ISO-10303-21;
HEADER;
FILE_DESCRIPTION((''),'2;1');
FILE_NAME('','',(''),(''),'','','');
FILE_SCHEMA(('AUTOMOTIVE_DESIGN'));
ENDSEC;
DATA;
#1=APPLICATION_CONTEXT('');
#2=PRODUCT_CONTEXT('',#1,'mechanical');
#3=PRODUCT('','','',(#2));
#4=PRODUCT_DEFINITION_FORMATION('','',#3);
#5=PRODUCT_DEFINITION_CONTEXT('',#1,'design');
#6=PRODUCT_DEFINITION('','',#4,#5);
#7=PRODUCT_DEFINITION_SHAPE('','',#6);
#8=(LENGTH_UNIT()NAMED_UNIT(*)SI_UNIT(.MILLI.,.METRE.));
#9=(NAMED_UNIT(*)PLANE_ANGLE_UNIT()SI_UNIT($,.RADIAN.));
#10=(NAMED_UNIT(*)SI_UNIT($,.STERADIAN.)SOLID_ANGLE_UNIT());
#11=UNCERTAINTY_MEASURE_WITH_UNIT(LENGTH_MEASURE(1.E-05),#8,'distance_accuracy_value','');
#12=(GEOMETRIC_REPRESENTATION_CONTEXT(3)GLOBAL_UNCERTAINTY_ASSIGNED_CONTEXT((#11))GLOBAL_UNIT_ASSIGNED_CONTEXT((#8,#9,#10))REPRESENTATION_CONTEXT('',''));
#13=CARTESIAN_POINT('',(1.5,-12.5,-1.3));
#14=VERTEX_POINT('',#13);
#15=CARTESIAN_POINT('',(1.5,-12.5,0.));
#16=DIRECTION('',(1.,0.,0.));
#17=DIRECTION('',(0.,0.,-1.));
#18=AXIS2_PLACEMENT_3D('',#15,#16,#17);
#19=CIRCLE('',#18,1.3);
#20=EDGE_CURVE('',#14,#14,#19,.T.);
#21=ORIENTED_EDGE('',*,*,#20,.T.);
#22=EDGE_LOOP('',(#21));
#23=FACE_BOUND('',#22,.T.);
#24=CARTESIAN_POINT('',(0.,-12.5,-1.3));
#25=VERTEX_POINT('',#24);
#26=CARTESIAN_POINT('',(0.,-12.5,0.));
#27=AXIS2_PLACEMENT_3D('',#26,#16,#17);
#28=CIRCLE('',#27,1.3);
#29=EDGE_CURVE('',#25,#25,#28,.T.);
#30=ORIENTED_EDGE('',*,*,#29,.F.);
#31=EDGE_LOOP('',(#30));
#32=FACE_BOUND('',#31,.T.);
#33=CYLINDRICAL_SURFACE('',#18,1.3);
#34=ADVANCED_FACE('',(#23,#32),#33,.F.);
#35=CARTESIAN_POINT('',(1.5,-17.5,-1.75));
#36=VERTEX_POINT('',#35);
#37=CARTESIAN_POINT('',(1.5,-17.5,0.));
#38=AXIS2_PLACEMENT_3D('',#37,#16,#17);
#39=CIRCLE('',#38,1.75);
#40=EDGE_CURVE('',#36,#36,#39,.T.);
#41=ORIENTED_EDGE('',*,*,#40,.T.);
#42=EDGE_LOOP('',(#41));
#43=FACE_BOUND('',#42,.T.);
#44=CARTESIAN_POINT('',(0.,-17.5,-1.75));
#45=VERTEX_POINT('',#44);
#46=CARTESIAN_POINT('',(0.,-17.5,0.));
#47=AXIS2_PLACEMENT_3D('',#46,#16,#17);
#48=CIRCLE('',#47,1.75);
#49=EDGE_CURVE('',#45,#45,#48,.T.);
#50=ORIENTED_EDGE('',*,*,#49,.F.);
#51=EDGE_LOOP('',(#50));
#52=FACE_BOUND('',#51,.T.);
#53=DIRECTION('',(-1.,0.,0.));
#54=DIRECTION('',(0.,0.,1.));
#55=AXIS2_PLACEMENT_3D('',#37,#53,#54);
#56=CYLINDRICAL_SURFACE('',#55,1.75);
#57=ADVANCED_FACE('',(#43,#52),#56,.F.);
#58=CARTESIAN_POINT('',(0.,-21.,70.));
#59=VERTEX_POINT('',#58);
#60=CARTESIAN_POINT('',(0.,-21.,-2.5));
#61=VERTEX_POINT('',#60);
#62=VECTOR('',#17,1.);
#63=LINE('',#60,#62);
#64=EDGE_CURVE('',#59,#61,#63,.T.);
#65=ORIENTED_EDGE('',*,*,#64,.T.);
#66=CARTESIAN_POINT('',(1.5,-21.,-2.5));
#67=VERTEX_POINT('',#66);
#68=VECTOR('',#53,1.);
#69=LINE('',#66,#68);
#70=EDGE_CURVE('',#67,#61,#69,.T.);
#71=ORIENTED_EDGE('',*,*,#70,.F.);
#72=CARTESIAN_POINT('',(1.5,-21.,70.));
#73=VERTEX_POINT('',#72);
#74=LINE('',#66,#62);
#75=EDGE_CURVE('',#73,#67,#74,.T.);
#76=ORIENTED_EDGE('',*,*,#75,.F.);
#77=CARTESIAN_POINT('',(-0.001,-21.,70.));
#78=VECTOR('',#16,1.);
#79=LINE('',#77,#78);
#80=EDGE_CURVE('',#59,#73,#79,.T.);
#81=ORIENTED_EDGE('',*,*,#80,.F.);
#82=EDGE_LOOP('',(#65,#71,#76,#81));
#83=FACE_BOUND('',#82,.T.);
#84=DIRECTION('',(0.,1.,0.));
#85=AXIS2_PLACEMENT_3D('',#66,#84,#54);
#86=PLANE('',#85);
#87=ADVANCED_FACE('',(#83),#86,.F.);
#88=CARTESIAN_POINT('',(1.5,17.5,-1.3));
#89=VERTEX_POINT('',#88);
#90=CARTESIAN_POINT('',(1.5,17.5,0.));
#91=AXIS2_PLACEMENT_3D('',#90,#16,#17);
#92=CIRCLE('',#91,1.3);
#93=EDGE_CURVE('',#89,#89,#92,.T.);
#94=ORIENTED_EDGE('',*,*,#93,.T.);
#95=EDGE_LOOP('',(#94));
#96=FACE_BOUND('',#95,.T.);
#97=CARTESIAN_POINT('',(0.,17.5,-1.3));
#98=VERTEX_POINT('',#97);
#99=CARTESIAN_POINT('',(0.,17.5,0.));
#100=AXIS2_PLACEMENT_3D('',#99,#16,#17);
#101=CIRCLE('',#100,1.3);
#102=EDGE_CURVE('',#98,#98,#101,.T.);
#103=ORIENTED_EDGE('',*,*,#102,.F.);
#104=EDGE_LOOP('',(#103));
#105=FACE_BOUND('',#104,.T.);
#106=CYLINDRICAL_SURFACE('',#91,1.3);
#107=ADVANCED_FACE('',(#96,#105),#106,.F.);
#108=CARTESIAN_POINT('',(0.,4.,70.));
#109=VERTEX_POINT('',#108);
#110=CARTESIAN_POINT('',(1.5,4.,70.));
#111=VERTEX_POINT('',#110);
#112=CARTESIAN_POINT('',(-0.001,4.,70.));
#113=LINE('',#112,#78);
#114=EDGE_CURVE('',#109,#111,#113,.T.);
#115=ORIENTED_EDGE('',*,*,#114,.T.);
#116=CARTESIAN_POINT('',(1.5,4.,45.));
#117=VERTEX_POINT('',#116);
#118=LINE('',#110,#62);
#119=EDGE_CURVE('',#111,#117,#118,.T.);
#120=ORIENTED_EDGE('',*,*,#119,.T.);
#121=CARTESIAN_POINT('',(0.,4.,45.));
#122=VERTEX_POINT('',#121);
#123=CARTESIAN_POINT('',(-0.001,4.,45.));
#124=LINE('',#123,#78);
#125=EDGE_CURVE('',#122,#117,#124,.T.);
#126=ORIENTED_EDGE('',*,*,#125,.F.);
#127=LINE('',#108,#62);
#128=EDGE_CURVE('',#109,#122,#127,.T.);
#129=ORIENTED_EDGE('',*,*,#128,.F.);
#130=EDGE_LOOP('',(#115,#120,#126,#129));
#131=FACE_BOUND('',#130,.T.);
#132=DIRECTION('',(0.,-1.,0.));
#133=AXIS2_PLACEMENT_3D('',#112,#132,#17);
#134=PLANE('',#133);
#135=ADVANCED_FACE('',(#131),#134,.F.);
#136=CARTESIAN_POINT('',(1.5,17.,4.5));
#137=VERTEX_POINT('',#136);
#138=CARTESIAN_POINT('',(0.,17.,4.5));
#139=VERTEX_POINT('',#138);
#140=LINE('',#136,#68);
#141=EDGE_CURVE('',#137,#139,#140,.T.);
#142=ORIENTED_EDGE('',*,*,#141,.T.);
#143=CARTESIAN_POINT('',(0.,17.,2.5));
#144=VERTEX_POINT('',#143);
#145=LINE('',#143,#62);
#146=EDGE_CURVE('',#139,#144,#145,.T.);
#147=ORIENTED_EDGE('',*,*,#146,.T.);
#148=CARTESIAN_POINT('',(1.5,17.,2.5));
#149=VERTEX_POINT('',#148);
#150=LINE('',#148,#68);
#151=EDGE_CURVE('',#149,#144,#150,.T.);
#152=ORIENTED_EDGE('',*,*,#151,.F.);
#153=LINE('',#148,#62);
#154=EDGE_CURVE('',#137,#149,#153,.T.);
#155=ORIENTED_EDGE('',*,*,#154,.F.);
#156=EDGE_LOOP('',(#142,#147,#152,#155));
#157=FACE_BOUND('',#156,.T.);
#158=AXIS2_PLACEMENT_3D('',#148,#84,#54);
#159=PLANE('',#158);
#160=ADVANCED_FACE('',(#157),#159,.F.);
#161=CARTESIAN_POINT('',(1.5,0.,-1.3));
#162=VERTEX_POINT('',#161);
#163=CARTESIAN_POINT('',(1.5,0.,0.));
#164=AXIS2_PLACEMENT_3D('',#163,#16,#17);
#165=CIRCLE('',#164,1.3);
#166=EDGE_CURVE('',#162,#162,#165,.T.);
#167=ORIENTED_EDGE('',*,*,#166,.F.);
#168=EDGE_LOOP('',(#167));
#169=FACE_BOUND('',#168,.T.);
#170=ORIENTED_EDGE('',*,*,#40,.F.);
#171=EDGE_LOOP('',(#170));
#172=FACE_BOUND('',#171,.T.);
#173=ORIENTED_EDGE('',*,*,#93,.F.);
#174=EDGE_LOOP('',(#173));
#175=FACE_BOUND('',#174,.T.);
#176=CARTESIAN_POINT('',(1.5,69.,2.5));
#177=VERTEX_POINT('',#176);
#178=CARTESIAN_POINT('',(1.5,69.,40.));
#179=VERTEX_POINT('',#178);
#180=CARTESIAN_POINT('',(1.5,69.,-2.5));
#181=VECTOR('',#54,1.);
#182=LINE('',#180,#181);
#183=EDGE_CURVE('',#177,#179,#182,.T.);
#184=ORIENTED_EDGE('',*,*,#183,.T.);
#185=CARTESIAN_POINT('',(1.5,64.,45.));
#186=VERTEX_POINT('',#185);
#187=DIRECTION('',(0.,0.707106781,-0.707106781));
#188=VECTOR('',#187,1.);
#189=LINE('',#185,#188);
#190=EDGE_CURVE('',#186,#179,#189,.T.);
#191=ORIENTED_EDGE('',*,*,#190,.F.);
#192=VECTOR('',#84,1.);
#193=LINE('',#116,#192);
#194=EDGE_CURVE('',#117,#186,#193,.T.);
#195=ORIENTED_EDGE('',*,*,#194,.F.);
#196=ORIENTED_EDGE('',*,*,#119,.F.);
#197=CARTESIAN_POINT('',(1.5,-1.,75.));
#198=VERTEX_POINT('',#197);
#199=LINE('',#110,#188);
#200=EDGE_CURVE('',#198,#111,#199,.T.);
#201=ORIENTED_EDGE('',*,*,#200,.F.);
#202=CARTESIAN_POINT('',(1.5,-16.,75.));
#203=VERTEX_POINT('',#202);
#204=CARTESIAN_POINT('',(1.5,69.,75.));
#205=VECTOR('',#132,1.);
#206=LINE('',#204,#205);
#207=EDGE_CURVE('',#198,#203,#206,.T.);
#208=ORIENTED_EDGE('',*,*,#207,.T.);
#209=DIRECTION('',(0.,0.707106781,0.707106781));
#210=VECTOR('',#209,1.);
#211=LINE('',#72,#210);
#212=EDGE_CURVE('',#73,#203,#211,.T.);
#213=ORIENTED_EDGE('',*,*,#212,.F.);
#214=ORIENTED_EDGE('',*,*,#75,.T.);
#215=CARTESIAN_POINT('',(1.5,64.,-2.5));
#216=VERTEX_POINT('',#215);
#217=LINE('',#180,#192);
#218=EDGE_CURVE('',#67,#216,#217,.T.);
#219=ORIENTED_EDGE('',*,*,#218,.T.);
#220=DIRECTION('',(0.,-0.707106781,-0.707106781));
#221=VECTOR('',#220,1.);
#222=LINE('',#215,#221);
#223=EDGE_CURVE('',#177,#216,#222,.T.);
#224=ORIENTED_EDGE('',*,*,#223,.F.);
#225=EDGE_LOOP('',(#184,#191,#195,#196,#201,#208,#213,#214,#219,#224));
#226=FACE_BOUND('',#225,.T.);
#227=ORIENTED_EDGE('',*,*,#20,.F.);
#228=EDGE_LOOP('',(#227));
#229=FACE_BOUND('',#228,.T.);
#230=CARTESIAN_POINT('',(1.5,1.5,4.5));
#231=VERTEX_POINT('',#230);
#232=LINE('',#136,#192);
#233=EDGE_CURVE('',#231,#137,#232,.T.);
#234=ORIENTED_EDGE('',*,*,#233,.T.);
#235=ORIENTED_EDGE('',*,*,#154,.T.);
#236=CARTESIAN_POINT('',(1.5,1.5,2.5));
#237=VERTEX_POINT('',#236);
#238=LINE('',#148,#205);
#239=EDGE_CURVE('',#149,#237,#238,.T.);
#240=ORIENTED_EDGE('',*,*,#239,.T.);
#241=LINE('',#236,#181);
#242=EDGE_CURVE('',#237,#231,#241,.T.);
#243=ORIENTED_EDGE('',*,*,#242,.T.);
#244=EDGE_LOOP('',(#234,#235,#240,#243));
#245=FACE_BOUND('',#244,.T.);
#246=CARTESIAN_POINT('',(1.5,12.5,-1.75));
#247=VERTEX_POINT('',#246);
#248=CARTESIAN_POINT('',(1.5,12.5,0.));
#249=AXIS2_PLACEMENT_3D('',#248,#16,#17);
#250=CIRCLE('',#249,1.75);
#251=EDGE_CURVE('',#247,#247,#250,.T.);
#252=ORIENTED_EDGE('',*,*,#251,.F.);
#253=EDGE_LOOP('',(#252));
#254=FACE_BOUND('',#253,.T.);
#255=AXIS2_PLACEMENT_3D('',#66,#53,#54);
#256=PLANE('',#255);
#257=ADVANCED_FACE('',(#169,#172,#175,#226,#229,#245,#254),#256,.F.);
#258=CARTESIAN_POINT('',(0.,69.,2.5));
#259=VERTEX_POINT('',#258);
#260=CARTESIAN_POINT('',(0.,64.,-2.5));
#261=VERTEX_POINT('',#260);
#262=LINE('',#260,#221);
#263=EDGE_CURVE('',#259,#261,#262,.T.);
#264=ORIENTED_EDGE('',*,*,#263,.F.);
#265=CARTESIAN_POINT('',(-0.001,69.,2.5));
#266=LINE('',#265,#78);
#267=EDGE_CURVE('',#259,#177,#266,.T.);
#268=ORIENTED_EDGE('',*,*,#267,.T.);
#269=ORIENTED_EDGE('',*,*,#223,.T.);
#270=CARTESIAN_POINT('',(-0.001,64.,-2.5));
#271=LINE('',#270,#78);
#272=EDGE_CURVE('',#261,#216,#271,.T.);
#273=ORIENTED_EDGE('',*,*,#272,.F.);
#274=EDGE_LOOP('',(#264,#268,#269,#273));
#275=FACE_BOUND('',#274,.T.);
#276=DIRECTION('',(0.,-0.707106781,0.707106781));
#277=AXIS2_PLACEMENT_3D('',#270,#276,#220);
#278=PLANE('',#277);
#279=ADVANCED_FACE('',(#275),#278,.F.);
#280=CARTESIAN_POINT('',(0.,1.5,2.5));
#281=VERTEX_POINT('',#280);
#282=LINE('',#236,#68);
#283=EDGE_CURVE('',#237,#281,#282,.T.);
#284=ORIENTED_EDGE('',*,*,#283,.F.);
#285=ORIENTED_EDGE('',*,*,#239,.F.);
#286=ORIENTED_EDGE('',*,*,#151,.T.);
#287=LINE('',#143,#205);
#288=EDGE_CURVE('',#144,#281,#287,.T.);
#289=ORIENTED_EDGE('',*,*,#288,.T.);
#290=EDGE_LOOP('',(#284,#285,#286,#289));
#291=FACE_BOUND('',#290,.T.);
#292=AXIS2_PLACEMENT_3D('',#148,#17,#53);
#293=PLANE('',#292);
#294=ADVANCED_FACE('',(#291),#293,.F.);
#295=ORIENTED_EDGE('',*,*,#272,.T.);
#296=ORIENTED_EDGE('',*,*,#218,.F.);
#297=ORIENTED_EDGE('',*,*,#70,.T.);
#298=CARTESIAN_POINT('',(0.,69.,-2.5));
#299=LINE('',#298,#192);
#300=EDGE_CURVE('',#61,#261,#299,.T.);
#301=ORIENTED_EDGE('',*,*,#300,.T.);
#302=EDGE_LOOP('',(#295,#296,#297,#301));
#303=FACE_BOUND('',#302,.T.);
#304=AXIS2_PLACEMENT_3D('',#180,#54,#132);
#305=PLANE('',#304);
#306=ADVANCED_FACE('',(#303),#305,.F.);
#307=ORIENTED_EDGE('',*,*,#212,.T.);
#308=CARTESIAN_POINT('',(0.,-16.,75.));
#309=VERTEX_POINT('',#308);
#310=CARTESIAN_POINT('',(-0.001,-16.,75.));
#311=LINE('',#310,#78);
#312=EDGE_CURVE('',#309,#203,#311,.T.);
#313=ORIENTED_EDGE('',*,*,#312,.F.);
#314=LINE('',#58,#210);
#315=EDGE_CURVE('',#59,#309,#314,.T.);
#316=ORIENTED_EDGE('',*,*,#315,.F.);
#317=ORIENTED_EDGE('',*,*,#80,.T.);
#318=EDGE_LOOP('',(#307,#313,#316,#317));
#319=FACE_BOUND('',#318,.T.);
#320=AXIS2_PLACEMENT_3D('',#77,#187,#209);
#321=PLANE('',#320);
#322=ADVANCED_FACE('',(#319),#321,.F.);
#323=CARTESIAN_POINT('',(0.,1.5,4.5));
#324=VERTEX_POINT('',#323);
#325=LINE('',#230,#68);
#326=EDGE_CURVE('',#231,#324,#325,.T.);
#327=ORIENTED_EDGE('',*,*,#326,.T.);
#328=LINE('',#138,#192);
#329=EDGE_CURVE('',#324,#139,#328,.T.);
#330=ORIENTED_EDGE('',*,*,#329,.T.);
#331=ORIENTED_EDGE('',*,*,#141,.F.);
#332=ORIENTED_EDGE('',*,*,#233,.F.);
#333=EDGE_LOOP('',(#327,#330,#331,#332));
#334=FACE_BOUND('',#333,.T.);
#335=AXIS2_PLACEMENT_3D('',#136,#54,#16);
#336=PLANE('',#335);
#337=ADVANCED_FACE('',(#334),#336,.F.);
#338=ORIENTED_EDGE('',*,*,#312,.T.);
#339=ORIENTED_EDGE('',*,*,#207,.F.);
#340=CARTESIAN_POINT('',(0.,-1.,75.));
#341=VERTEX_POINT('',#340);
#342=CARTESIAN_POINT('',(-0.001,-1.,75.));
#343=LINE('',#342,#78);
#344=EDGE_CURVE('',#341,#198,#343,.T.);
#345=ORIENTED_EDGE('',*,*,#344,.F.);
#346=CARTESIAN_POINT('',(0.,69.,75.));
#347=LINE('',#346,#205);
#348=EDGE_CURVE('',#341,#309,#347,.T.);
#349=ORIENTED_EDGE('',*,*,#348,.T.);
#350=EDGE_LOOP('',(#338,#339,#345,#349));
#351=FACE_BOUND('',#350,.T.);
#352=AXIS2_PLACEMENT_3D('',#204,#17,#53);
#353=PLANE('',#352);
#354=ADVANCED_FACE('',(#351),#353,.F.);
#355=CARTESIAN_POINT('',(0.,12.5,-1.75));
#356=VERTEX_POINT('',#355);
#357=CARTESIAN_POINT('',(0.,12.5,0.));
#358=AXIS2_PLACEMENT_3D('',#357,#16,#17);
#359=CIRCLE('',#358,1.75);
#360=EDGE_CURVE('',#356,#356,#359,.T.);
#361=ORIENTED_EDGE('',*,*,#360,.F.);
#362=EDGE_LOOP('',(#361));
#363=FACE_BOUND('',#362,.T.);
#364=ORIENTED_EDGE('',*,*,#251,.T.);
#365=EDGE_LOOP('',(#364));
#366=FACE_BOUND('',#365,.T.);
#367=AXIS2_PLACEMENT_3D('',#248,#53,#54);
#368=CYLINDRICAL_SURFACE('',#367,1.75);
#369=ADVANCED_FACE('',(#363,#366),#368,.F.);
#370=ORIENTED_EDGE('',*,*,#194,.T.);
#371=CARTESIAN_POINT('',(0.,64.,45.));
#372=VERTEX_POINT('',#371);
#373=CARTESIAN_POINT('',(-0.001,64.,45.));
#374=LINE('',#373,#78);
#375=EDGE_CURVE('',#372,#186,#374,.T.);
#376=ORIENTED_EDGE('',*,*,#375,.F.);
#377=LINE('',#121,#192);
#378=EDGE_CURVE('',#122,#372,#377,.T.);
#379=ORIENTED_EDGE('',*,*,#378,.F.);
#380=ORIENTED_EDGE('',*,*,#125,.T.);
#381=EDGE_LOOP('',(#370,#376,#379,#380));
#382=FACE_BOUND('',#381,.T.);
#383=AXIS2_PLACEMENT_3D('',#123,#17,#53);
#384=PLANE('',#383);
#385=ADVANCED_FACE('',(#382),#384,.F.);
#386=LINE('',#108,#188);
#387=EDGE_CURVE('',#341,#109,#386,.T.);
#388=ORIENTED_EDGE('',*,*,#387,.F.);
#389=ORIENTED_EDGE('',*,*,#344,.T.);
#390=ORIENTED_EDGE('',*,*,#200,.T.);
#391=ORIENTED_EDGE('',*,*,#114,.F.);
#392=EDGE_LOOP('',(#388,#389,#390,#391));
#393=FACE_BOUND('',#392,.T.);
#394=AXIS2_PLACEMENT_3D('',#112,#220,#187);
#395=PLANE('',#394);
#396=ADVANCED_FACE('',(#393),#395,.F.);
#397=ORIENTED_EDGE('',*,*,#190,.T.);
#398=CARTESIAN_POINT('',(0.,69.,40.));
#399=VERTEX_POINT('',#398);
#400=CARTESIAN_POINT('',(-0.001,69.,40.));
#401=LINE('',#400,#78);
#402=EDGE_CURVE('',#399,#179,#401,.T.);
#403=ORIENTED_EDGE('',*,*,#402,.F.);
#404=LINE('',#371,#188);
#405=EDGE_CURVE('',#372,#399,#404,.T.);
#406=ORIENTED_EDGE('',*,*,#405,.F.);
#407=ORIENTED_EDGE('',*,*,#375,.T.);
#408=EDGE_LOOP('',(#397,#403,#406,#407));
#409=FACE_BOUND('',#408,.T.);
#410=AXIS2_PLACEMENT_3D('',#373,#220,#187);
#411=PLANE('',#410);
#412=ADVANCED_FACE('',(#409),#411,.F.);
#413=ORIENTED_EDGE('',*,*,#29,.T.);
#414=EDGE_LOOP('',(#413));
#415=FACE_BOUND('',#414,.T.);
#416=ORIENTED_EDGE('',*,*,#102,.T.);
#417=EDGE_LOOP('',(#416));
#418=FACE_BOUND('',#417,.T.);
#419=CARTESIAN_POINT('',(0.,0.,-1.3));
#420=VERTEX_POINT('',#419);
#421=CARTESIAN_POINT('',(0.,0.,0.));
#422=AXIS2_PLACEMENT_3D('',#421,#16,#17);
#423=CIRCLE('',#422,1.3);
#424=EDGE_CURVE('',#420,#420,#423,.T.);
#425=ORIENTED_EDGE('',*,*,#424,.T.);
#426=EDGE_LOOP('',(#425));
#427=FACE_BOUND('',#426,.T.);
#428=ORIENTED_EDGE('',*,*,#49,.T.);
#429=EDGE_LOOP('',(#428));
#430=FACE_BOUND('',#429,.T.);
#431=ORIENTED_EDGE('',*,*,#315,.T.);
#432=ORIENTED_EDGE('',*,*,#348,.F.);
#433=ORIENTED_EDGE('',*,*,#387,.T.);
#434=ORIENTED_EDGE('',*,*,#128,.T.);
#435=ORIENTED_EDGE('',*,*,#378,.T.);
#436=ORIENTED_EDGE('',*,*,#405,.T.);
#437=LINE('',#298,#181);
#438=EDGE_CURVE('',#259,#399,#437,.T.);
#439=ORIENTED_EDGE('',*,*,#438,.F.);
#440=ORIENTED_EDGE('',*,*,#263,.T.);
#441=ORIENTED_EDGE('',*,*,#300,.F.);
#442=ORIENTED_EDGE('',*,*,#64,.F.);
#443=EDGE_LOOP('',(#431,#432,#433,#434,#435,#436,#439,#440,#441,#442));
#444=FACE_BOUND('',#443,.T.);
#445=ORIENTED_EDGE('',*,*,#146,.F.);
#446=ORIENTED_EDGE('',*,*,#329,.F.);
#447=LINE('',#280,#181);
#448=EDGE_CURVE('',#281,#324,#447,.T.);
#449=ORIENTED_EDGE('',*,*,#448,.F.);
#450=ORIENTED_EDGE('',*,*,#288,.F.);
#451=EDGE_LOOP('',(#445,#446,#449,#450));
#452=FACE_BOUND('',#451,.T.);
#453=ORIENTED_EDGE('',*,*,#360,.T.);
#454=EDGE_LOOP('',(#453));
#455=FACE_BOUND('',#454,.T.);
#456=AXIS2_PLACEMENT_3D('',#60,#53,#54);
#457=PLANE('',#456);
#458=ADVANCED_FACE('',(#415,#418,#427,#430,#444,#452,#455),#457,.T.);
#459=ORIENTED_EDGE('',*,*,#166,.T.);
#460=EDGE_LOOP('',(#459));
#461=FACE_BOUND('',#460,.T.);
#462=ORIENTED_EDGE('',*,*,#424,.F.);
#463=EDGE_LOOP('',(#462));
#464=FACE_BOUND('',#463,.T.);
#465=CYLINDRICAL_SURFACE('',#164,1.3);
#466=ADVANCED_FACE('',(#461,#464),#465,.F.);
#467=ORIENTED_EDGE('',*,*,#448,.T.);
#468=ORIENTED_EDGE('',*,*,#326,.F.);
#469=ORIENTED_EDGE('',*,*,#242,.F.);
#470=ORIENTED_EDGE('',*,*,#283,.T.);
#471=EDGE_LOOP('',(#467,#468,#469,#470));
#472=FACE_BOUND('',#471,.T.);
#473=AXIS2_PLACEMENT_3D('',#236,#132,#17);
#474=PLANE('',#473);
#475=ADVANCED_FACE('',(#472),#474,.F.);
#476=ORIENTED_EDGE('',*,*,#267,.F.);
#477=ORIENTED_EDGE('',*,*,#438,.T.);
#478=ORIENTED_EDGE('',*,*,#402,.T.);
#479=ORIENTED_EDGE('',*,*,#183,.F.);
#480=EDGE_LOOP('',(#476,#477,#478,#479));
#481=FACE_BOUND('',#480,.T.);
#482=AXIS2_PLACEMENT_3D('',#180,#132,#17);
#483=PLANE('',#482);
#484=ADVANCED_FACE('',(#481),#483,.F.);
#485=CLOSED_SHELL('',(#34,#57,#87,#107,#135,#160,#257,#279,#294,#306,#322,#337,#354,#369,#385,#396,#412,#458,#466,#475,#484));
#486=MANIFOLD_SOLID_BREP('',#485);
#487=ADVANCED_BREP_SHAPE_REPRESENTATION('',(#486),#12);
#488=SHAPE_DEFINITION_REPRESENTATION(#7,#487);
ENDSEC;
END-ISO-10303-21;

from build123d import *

# Parameters (mm, degrees)
ESQUISSE1_W                            = 77.5
ESQUISSE1_H                            = 90
ESQUISSE1_R                            = 1.75
EXTRUSION1_DEPTH                       = 1.5
FRAISAGE_POUR_VIS_T_TE_FRAIS_E_M2_51_D = 2.59999988
ESQUISSE5_W                            = 2
ESQUISSE5_H                            = 15.5
ENL_V_MAT_EXTRU_1_DEPTH                = 102.922764876
ENL_V_MAT_EXTRU_2_REACH                = 103.923


with BuildPart() as part:
    # Esquisse1 → Extrusion1 (new body)
    with BuildSketch(Plane(origin=(0, 0, 0), x_dir=(0, 0, -1), z_dir=(1, 0, 0))):
        with Locations((-36.25, 24)):
            Rectangle(ESQUISSE1_W, ESQUISSE1_H)
        with Locations((0, -17.5)):
            Circle(ESQUISSE1_R, mode=Mode.SUBTRACT)
        with Locations((0, 12.5)):
            Circle(ESQUISSE1_R, mode=Mode.SUBTRACT)
    extrude(amount=EXTRUSION1_DEPTH)

    # Fraisage pour vis à tête fraisée M2.51 (through all)
    with Locations(Plane(origin=(1.5, 0, 0), x_dir=(0, 0, -1), z_dir=(1, 0, 0))):
        with Locations((0, 17.5), (0, -12.5), (0, 0)):
            Hole(FRAISAGE_POUR_VIS_T_TE_FRAIS_E_M2_51_D / 2)

    # Esquisse5 → Enlèv. mat.-Extru.1 (cut, through all)
    with BuildSketch(Plane.ZY):
        with Locations((3.5, 9.25)):
            Rectangle(ESQUISSE5_W, ESQUISSE5_H)
    extrude(amount=-ENL_V_MAT_EXTRU_1_DEPTH, mode=Mode.SUBTRACT)

    # Esquisse6 → Enlèv. mat.-Extru.2 (cut, up to next)
    with BuildSketch(Plane(origin=(1.5, 0, 0), x_dir=(0, 0, -1), z_dir=(1, 0, 0)), mode=Mode.PRIVATE) as enl_v_mat_extru_2_sk1:
        Polygon((-75, 69), (-75, -1), (-70, 4), (-45, 4), (-45, 64), (-40, 69), align=None)
    enl_v_mat_extru_2_tool1 = extrude(enl_v_mat_extru_2_sk1.sketch, amount=-ENL_V_MAT_EXTRU_2_REACH, mode=Mode.PRIVATE) & part.part
    # Esquisse6 → Enlèv. mat.-Extru.2 (cut, up to next)
    with BuildSketch(Plane(origin=(1.5, 0, 0), x_dir=(0, 0, -1), z_dir=(1, 0, 0)), mode=Mode.PRIVATE) as enl_v_mat_extru_2_sk2:
        Polygon((-75, -21), (-70, -21), (-75, -16), align=None)
    enl_v_mat_extru_2_tool2 = extrude(enl_v_mat_extru_2_sk2.sketch, amount=-ENL_V_MAT_EXTRU_2_REACH, mode=Mode.PRIVATE) & part.part
    # Esquisse6 → Enlèv. mat.-Extru.2 (cut, up to next)
    with BuildSketch(Plane(origin=(1.5, 0, 0), x_dir=(0, 0, -1), z_dir=(1, 0, 0)), mode=Mode.PRIVATE) as enl_v_mat_extru_2_sk3:
        Polygon((2.5, 69), (2.5, 64), (-2.5, 69), align=None)
    enl_v_mat_extru_2_tool3 = extrude(enl_v_mat_extru_2_sk3.sketch, amount=-ENL_V_MAT_EXTRU_2_REACH, mode=Mode.PRIVATE) & part.part
    add(enl_v_mat_extru_2_tool1.solids().sort_by_distance((1.5, 36.478903, 59.978903))[0], mode=Mode.SUBTRACT)
    add(enl_v_mat_extru_2_tool2.solids().sort_by_distance((1.5, -19.333333, 73.333333))[0], mode=Mode.SUBTRACT)
    add(enl_v_mat_extru_2_tool3.solids().sort_by_distance((1.5, 67.333333, -0.833333))[0], mode=Mode.SUBTRACT)


solid = part.part
